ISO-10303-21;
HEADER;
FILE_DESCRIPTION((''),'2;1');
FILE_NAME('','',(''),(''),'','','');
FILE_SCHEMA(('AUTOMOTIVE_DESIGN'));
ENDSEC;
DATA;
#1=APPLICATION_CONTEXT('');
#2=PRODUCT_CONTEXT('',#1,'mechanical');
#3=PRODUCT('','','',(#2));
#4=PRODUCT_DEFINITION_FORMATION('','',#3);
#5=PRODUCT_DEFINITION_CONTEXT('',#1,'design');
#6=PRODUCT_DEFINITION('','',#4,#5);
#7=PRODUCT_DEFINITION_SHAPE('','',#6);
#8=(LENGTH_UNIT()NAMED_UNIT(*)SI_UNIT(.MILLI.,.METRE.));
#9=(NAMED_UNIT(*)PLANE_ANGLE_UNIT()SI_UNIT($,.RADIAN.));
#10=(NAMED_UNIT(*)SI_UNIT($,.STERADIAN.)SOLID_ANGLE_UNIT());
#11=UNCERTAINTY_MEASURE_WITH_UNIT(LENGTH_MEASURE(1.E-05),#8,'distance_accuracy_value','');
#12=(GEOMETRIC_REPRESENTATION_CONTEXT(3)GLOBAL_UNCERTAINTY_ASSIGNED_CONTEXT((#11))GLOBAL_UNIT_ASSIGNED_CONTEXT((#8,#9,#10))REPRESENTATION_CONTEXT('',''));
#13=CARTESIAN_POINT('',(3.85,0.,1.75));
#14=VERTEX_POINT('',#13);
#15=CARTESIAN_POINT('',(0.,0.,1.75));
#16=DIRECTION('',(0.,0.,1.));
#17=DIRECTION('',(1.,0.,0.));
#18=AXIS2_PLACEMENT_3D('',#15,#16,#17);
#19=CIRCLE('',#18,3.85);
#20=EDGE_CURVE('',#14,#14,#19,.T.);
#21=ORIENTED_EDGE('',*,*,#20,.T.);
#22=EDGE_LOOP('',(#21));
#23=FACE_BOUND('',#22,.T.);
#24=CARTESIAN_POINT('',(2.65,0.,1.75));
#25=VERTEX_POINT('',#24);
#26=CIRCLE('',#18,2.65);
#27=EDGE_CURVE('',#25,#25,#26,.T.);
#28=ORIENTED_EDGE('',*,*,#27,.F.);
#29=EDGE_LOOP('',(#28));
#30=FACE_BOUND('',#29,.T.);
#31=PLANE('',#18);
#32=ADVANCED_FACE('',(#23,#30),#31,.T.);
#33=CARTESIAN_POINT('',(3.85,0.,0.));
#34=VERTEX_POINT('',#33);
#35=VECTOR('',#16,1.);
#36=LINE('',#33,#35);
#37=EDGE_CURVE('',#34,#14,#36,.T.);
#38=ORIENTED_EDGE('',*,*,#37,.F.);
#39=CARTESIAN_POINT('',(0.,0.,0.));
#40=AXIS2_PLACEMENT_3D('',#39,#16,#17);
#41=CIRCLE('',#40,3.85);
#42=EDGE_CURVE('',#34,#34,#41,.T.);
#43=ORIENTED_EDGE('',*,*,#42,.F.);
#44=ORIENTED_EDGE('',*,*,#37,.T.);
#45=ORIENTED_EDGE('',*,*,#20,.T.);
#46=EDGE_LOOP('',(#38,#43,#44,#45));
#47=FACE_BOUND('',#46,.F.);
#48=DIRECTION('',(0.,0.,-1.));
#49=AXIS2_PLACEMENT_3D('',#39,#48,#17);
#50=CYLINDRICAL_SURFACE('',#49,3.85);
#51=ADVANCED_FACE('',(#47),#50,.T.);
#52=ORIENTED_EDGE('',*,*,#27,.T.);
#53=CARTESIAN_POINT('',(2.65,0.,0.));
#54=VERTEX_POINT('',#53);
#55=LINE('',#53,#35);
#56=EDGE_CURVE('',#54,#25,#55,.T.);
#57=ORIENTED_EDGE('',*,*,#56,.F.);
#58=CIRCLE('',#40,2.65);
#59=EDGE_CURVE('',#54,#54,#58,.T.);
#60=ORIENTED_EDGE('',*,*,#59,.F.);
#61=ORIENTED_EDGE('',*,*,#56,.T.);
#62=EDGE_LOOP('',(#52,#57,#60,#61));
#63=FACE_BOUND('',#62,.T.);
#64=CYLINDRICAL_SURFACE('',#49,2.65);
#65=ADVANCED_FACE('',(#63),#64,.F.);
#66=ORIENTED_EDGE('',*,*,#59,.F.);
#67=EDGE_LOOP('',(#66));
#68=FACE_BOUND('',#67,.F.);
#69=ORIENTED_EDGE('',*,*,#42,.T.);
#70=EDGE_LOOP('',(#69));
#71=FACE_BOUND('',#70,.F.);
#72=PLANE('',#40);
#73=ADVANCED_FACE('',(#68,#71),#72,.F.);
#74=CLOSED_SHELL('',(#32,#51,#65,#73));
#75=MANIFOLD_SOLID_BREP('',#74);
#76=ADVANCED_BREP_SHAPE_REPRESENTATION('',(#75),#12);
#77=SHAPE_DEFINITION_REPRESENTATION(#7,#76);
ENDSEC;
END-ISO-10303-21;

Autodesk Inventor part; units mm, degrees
ref_plane "YZ Plane" through (0, 0, 0) normal (1, 0, 0) x (0, 1, 0)
ref_plane "XZ Plane" through (0, 0, 0) normal (0, 1, 0) x (-1, 0, 0)
ref_plane "XY Plane" through (0, 0, 0) normal (0, 0, 1) x (1, 0, 0)
sketch "Sketch1" plane through (0, 0, 0) normal (0, 0, 1) x (1, 0, 0)
  circle A0 centre (0, 0) radius 2.65
  circle A1 centre (0, 0) radius 3.85
  dimension "d0" = 5.3
  dimension "d1" = 1.2
extrude "Extrusion1" add sketch "Sketch1" along normal blind 1.75
properties part number "Door Bar Bearing Spacer" material "ABS Plastic"
